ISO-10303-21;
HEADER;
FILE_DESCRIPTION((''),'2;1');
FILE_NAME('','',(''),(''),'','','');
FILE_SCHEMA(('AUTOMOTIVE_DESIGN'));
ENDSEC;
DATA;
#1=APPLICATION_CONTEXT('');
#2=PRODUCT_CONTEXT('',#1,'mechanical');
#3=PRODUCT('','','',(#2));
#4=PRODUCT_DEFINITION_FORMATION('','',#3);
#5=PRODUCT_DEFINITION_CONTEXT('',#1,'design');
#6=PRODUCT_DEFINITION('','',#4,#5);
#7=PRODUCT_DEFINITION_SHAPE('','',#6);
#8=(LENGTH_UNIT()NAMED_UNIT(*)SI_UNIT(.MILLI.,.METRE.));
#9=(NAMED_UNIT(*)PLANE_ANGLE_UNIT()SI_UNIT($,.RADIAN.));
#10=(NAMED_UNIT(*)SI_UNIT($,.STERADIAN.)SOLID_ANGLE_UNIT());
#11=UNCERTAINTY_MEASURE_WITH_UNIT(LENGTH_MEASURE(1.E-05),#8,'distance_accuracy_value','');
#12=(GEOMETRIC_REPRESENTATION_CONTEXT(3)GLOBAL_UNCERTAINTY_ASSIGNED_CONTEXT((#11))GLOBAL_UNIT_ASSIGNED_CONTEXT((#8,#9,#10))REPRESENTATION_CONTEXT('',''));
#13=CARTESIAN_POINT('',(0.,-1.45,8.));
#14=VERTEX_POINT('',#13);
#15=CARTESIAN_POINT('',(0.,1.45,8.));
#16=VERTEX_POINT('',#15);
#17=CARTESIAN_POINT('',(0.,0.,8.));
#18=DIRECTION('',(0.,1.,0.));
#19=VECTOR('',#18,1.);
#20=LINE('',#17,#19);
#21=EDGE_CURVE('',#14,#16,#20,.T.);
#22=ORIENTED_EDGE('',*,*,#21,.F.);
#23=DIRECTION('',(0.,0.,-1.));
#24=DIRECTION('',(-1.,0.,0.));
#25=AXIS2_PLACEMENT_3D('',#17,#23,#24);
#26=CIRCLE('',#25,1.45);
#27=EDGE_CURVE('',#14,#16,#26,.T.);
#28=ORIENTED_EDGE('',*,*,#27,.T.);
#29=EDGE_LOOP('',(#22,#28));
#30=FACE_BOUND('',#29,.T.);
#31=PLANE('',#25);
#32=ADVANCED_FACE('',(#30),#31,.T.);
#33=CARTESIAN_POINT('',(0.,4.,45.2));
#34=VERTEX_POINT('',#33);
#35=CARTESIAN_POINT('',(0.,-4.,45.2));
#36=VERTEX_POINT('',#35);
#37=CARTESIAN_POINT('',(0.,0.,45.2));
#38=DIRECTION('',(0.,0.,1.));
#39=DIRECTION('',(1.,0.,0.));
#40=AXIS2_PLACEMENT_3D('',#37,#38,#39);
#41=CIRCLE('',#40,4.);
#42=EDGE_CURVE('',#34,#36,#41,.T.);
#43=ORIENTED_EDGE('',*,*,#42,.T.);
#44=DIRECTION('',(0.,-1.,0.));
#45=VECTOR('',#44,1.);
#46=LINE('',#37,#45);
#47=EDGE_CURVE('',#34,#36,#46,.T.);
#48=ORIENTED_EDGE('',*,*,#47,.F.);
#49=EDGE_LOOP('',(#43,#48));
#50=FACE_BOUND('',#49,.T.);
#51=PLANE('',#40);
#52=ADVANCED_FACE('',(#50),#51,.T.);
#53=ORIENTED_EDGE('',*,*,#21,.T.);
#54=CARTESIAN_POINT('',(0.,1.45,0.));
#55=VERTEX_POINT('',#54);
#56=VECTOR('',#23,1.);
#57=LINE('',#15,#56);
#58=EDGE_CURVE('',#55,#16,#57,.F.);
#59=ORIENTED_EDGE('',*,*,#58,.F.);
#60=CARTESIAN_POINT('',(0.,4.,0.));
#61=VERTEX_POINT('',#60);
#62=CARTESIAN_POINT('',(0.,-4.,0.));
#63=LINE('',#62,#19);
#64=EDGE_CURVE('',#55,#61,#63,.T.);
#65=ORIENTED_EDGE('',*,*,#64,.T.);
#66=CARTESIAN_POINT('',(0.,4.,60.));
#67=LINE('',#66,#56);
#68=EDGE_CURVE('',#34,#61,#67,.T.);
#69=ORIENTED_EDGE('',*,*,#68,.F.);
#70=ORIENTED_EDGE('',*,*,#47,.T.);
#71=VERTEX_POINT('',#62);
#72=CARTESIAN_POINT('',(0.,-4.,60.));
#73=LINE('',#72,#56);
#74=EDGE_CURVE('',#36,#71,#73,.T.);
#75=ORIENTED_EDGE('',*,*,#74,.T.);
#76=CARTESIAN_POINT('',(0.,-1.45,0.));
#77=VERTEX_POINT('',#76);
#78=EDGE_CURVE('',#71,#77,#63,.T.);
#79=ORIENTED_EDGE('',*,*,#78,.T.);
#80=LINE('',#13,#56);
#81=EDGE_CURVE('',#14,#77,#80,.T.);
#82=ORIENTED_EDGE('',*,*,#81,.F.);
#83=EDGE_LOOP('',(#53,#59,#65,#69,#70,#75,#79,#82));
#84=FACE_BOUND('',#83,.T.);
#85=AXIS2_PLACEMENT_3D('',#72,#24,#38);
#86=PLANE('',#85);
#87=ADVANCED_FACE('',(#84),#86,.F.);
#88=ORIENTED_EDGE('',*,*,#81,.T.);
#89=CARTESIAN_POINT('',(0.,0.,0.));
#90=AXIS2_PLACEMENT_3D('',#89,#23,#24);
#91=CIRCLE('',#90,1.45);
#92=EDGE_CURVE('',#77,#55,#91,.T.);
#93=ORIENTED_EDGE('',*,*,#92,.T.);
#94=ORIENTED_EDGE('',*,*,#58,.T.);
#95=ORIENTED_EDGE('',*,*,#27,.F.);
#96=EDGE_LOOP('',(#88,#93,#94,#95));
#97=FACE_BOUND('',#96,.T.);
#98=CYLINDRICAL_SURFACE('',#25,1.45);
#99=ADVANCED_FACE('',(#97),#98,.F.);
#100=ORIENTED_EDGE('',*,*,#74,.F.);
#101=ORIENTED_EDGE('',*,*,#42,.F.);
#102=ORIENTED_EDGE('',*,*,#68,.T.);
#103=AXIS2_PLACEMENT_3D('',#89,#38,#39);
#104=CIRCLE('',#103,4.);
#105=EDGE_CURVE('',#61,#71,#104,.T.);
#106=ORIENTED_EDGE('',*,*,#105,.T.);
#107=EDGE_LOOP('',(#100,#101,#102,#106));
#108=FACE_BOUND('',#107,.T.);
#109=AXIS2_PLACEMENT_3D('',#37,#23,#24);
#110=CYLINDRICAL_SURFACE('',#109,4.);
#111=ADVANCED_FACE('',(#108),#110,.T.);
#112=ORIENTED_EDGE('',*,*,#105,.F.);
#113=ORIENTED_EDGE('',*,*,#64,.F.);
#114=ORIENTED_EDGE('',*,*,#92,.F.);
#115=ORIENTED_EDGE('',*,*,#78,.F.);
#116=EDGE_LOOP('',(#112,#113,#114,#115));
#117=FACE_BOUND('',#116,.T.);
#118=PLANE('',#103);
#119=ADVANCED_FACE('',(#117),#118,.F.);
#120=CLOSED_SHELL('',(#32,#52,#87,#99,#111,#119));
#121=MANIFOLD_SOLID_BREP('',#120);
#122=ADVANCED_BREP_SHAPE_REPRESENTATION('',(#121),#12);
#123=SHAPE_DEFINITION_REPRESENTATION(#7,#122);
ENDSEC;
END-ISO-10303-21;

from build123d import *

# Parameters (mm, degrees)
SKETCH_1_R          = 4
EXTRUDE_1_DEPTH     = 45.2
SKETCH_4_R          = 1.45
CUT_EXTRUDE_3_DEPTH = 8
CUT_EXTRUDE_4_DEPTH = 60


with BuildPart() as part:
    # 草图1 → 凸台-拉伸1 (new body)
    with BuildSketch(Plane.XY):
        Circle(SKETCH_1_R)
    extrude(amount=EXTRUDE_1_DEPTH)

    # 草图4 → 切除-拉伸3 (cut)
    with BuildSketch(Plane(origin=(0, 0, 0), x_dir=(-1, 0, 0), z_dir=(0, 0, -1))):
        Circle(SKETCH_4_R)
    extrude(amount=-CUT_EXTRUDE_3_DEPTH, mode=Mode.SUBTRACT)

    # 草图5 → 切除-拉伸4 (cut)
    with BuildSketch(Plane(origin=(0, 0, 0), x_dir=(-1, 0, 0), z_dir=(0, 0, -1))):
        with BuildLine():
            Line((0, -4), (0, 4))
            ThreePointArc((0, 4), (-4, 0), (0, -4))
        make_face()
    extrude(amount=-CUT_EXTRUDE_4_DEPTH, mode=Mode.SUBTRACT)


solid = part.part
